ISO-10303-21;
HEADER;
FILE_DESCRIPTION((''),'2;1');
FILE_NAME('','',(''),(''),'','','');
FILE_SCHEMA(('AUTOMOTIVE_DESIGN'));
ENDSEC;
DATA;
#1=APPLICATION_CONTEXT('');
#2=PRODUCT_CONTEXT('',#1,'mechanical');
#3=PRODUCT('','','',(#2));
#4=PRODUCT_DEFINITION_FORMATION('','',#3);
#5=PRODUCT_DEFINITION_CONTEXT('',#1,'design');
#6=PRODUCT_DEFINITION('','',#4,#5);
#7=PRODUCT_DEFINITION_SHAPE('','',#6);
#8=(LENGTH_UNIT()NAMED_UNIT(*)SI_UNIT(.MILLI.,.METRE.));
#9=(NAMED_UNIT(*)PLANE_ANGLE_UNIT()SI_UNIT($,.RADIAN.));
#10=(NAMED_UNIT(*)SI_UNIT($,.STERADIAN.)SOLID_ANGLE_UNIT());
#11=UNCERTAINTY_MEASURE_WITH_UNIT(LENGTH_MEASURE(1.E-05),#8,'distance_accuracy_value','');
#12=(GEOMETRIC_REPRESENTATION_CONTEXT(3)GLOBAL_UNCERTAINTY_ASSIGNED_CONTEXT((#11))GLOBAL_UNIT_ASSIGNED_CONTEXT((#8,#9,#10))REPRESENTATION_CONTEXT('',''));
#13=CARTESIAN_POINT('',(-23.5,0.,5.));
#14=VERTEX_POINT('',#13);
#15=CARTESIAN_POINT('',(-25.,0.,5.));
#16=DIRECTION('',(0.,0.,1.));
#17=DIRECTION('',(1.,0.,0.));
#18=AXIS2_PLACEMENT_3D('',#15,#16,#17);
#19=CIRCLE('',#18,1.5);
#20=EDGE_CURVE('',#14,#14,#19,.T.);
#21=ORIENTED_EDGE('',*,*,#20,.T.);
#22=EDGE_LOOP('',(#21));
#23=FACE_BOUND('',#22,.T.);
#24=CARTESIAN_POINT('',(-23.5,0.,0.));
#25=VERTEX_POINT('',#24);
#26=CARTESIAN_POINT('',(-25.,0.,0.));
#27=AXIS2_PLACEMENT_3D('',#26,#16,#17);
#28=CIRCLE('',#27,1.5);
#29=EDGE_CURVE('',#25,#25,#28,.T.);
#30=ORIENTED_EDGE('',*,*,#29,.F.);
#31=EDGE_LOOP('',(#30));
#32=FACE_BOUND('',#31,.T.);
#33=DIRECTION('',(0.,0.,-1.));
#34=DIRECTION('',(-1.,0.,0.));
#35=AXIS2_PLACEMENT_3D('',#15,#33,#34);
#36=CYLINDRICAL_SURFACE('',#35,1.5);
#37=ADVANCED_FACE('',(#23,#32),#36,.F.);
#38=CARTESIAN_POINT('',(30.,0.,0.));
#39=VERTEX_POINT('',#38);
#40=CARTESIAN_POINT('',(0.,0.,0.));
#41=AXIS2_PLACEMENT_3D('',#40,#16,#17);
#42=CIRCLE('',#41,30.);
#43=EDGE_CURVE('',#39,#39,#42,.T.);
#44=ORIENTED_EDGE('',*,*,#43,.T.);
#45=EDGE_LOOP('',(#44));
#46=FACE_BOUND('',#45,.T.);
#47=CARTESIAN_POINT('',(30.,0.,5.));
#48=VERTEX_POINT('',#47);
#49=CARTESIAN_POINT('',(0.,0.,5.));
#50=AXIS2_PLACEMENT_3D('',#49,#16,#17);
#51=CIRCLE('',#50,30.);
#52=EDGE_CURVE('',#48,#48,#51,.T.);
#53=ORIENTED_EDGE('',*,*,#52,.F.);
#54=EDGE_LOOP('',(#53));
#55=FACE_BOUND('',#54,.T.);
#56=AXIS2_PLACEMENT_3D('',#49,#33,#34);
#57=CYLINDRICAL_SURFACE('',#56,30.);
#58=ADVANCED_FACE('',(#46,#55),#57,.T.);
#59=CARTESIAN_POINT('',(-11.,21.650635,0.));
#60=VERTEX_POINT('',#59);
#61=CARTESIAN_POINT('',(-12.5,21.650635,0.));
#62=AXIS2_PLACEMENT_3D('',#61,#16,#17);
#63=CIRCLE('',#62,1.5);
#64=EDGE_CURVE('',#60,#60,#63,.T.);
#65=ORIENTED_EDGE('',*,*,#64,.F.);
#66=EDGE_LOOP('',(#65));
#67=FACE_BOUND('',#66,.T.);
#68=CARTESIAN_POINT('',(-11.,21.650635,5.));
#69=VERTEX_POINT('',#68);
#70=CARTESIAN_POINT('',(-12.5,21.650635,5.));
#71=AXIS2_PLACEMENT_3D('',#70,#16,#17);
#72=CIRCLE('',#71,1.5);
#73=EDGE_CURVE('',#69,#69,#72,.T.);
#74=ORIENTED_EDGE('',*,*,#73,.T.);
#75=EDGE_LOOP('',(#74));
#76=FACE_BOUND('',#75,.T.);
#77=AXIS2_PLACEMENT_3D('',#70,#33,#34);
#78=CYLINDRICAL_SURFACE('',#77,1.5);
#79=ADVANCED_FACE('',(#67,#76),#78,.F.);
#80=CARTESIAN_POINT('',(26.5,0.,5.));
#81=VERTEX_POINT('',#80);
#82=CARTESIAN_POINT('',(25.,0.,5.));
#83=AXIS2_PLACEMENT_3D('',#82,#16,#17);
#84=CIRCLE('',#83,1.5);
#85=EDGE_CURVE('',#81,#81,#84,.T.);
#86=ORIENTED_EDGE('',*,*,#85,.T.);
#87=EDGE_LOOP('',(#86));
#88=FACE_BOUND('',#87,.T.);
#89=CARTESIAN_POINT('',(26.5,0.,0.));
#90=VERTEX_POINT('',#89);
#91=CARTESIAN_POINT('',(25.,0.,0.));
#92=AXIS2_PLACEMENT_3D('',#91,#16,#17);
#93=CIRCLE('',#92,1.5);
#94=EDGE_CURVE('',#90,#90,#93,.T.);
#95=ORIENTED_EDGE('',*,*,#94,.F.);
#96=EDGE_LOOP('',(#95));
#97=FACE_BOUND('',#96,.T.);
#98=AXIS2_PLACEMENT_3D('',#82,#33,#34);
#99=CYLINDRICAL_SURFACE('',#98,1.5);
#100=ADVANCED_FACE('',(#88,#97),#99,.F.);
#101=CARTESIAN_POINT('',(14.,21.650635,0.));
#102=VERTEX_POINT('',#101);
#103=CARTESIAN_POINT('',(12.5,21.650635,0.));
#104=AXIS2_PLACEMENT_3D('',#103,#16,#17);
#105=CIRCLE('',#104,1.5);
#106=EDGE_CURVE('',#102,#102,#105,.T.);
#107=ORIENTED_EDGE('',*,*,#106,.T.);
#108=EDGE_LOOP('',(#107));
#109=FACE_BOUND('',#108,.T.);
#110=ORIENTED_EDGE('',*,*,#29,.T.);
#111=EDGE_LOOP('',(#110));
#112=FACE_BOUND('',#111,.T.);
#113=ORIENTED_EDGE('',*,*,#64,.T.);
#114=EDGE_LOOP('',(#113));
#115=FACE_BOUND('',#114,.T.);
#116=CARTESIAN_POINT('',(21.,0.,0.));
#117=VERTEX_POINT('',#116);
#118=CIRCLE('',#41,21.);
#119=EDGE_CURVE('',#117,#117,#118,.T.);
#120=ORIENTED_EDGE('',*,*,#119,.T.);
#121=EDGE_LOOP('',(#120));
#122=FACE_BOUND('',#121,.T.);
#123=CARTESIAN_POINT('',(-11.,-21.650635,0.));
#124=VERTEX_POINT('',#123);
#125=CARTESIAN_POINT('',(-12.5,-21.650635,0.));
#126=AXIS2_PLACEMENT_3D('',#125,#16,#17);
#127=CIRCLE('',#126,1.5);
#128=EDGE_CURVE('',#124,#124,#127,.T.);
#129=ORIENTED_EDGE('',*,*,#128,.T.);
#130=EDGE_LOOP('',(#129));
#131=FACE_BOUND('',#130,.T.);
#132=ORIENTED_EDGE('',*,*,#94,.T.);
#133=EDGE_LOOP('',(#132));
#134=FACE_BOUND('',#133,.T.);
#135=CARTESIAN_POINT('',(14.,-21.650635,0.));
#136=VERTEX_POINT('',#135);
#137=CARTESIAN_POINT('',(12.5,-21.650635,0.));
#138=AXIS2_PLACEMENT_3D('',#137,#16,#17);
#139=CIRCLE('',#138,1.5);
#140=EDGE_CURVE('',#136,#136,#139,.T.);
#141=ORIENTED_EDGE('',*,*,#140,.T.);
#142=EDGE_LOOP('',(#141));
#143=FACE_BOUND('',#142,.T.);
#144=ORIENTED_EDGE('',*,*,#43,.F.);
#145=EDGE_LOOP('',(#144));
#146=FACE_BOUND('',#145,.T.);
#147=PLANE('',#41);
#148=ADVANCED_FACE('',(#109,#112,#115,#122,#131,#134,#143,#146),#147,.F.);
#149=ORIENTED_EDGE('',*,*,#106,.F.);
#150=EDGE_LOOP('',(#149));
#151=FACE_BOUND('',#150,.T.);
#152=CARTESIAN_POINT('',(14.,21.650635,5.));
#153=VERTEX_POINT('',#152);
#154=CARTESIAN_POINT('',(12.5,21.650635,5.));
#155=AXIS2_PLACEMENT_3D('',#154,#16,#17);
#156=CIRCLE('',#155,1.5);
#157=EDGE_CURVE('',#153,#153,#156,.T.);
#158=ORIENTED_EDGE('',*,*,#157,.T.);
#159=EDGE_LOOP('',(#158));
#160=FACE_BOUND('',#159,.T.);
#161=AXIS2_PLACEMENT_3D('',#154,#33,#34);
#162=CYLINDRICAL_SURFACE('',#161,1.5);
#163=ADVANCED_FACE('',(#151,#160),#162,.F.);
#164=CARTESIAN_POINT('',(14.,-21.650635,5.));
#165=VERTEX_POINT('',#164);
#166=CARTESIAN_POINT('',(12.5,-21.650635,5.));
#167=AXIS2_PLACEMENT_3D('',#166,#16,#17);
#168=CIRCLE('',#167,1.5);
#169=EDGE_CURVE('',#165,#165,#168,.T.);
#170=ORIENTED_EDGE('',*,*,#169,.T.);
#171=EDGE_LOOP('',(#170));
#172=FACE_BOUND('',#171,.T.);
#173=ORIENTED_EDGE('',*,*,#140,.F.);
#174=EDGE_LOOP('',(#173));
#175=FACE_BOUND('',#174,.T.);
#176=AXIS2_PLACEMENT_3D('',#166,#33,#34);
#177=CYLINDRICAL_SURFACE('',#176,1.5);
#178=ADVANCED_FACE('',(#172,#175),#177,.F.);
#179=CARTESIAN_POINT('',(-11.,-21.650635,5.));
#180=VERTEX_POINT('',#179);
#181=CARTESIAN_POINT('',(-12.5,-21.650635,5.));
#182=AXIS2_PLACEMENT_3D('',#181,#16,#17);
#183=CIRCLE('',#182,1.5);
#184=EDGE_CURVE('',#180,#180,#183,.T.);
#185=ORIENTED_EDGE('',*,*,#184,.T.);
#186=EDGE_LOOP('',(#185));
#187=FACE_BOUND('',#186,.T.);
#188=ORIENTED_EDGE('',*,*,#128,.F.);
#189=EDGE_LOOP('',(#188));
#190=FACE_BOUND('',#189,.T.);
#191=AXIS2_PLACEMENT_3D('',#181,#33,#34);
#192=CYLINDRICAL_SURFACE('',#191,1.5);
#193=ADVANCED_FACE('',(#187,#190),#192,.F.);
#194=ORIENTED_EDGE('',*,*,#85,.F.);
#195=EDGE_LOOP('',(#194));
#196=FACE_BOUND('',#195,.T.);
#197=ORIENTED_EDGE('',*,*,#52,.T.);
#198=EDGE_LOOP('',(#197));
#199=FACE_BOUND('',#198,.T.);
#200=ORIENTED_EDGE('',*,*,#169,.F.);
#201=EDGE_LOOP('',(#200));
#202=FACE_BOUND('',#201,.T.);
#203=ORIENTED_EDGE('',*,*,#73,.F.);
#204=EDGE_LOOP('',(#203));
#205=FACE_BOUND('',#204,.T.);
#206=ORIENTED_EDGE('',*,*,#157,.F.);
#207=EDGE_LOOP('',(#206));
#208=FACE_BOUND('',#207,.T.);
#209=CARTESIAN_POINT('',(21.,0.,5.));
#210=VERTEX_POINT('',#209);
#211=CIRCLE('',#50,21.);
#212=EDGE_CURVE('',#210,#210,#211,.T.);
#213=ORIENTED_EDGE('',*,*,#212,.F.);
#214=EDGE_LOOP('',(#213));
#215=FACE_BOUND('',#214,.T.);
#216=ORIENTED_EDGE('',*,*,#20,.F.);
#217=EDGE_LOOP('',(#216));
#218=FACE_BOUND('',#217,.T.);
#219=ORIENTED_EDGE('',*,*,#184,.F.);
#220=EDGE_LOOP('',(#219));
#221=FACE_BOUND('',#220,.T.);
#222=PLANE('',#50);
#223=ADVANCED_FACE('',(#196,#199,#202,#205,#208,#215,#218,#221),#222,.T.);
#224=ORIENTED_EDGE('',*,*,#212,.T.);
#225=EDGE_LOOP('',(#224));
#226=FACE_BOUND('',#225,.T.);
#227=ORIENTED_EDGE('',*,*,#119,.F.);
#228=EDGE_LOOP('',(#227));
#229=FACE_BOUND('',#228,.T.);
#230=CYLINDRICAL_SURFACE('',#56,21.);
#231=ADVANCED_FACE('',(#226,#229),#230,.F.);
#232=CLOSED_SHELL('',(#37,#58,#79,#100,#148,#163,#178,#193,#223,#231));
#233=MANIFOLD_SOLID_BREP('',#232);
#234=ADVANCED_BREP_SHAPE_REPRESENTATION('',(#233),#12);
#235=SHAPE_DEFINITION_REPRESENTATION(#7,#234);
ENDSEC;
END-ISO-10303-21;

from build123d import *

# Parameters (mm, degrees)
SKETCH1_R           = 30
SKETCH1_R_2         = 21
SKETCH1_R_3         = 1.5
BOSS_EXTRUDE1_DEPTH = 5


with BuildPart() as part:
    # Sketch1 → Boss-Extrude1 (new body)
    with BuildSketch(Plane.XY):
        Circle(SKETCH1_R)
        Circle(SKETCH1_R_2, mode=Mode.SUBTRACT)
        with Locations((-12.5, 21.650635095)):
            Circle(SKETCH1_R_3, mode=Mode.SUBTRACT)
        with Locations((-25, 0)):
            Circle(SKETCH1_R_3, mode=Mode.SUBTRACT)
        with Locations((-12.5, -21.650635095)):
            Circle(SKETCH1_R_3, mode=Mode.SUBTRACT)
        with Locations((12.5, -21.650635095)):
            Circle(SKETCH1_R_3, mode=Mode.SUBTRACT)
        with Locations((25, 0)):
            Circle(SKETCH1_R_3, mode=Mode.SUBTRACT)
        with Locations((12.5, 21.650635095)):
            Circle(SKETCH1_R_3, mode=Mode.SUBTRACT)
    extrude(amount=BOSS_EXTRUDE1_DEPTH)


solid = part.part
